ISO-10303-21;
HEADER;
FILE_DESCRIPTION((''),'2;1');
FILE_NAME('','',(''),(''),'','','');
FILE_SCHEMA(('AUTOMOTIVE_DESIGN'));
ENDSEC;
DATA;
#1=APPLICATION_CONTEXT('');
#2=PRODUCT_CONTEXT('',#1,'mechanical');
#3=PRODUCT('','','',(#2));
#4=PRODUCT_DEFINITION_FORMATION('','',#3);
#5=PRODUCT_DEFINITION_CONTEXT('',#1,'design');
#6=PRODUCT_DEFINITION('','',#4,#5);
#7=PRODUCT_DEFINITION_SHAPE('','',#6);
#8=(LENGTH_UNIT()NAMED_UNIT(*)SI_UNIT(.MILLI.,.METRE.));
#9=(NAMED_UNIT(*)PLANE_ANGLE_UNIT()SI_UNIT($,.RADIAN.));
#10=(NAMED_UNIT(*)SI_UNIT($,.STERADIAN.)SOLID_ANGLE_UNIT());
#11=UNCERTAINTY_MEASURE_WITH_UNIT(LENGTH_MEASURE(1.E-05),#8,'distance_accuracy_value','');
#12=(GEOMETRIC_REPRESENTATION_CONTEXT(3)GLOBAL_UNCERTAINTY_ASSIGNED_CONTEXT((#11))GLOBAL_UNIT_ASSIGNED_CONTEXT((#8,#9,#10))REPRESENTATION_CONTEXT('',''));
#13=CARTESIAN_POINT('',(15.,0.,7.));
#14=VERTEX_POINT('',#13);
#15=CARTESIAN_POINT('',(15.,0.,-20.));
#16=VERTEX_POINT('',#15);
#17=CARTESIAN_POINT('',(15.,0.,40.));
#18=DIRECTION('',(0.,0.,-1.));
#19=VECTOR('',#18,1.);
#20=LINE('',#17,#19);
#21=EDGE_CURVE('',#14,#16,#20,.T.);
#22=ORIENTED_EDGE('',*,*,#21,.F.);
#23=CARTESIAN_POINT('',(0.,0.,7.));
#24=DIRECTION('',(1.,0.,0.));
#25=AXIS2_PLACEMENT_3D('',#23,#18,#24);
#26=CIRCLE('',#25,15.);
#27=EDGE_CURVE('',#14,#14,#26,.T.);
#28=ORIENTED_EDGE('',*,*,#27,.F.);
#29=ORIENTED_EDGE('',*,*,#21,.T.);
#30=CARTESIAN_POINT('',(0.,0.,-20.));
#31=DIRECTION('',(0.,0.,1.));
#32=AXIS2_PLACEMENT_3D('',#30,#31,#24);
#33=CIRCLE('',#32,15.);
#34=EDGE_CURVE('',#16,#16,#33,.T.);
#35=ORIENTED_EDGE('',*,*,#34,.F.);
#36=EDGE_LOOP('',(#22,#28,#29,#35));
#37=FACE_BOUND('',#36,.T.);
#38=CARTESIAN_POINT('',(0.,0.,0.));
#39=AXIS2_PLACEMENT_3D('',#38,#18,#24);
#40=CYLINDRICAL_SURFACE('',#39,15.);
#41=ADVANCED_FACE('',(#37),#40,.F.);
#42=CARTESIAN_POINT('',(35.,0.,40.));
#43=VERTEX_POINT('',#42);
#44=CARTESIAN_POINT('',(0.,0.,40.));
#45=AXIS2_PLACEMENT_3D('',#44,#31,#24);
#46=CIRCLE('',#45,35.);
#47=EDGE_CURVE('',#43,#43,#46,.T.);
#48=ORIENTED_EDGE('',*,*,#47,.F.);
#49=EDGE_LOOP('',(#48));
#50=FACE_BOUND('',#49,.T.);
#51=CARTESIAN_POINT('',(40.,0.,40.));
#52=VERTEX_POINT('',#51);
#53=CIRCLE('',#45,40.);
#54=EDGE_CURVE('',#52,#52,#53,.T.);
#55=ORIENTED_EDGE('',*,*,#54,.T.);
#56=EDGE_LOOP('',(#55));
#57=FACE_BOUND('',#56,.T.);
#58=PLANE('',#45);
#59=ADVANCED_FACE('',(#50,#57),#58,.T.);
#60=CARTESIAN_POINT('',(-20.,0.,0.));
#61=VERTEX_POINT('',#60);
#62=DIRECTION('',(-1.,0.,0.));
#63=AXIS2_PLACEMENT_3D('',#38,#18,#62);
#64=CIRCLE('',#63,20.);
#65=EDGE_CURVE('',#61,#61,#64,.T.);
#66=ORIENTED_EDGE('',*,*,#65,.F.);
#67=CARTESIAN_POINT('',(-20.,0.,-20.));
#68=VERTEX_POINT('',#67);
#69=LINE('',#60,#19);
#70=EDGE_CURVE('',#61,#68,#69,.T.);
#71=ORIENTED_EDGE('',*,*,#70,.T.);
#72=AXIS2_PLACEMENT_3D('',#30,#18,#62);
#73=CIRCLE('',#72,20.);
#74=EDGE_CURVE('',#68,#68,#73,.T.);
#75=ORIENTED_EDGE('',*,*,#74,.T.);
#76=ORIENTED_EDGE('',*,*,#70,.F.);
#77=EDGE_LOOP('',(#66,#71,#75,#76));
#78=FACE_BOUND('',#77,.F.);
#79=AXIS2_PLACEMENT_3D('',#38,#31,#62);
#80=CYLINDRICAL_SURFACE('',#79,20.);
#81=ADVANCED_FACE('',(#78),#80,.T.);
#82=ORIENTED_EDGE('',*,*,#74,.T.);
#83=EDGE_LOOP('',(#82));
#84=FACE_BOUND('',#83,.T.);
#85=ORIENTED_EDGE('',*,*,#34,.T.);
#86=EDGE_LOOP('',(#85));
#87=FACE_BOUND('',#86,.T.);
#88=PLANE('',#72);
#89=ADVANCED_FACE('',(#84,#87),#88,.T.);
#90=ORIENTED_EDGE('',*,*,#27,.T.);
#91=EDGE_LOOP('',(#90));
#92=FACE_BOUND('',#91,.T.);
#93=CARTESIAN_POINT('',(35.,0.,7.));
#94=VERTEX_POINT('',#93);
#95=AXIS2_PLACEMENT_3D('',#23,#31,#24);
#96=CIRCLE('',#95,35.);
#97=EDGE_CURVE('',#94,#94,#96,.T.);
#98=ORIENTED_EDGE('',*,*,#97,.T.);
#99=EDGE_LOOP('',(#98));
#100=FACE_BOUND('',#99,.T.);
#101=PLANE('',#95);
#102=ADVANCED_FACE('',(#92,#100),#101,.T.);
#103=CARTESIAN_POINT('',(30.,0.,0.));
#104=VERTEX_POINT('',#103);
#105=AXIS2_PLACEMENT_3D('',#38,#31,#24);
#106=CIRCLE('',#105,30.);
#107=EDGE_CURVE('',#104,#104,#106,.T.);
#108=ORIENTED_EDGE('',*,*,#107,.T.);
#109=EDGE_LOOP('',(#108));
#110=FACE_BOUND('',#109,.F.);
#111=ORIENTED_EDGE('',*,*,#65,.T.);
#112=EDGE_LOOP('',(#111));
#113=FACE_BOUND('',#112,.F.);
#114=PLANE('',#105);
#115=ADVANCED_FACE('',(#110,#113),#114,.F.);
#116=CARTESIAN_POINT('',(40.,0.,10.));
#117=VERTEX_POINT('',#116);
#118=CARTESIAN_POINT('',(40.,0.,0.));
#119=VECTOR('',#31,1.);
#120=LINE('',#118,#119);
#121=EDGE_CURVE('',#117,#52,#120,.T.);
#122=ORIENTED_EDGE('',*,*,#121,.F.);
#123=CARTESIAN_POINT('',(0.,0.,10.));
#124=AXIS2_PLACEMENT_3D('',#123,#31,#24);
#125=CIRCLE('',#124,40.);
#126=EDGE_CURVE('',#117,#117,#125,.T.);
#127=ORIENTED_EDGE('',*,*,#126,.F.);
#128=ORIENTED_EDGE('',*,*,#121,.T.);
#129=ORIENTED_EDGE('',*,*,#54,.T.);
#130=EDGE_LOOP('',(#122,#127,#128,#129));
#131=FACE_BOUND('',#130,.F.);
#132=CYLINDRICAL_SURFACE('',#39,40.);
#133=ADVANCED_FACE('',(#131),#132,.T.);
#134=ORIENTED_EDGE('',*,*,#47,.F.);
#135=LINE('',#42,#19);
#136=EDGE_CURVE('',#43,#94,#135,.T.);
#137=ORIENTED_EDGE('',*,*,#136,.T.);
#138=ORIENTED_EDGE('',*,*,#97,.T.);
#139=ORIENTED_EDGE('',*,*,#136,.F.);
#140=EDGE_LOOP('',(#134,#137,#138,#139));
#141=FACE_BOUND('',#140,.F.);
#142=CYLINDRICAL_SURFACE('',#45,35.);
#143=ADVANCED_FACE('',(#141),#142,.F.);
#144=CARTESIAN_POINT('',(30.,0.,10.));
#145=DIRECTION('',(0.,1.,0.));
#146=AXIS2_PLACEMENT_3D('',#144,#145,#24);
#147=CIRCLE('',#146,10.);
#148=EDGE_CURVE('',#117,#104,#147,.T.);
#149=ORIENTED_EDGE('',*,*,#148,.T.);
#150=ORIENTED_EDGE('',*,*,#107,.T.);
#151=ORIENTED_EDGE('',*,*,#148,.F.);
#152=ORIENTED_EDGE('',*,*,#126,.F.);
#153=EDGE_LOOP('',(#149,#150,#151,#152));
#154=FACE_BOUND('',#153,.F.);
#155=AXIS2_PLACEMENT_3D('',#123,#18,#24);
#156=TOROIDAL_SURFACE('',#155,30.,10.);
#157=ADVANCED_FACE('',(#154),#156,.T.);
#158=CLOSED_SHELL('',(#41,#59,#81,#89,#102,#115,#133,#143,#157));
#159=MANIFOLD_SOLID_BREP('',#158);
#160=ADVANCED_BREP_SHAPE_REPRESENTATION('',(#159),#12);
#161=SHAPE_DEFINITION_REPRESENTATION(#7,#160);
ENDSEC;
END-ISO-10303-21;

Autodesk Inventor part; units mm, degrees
ref_plane "YZ Plane" through (0, 0, 0) normal (1, 0, 0) x (0, 1, 0)
ref_plane "XZ Plane" through (0, 0, 0) normal (0, 1, 0) x (-1, 0, 0)
ref_plane "XY Plane" through (0, 0, 0) normal (0, 0, 1) x (1, 0, 0)
sketch "Sketch1" plane through (0, 0, 0) normal (0, 0, 1) x (1, 0, 0)
  circle A0 centre (0, 0) radius 40
  circle A1 centre (0, 0) radius 15
  dimension "d0" = 80
  dimension "d1" = 30
extrude "Extrusion1" add sketch "Sketch1" along normal blind 40
sketch "Sketch2" plane through (0, 0, 0) normal (0, 0, -1) x (-1, 0, 0)
  circle A0 centre (0, 0) radius 20
  dimension "d4" = 40
extrude "Extrusion2" add sketch "Sketch2" along normal blind 20
extrude "Extrusion3" cut sketch "Sketch1" against normal blind 20 contours A1
fillet "Fillet1" radius 10 1 edges at (-40, 0, 0)
sketch "Sketch3" plane through (0, 0, 40) normal (0, 0, 1) x (1, 0, 0)
  circle A0 centre (0, 0) radius 35
  dimension "d10" = 70
extrude "Extrusion4" cut sketch "Sketch3" against normal blind 33
properties part number "output"
